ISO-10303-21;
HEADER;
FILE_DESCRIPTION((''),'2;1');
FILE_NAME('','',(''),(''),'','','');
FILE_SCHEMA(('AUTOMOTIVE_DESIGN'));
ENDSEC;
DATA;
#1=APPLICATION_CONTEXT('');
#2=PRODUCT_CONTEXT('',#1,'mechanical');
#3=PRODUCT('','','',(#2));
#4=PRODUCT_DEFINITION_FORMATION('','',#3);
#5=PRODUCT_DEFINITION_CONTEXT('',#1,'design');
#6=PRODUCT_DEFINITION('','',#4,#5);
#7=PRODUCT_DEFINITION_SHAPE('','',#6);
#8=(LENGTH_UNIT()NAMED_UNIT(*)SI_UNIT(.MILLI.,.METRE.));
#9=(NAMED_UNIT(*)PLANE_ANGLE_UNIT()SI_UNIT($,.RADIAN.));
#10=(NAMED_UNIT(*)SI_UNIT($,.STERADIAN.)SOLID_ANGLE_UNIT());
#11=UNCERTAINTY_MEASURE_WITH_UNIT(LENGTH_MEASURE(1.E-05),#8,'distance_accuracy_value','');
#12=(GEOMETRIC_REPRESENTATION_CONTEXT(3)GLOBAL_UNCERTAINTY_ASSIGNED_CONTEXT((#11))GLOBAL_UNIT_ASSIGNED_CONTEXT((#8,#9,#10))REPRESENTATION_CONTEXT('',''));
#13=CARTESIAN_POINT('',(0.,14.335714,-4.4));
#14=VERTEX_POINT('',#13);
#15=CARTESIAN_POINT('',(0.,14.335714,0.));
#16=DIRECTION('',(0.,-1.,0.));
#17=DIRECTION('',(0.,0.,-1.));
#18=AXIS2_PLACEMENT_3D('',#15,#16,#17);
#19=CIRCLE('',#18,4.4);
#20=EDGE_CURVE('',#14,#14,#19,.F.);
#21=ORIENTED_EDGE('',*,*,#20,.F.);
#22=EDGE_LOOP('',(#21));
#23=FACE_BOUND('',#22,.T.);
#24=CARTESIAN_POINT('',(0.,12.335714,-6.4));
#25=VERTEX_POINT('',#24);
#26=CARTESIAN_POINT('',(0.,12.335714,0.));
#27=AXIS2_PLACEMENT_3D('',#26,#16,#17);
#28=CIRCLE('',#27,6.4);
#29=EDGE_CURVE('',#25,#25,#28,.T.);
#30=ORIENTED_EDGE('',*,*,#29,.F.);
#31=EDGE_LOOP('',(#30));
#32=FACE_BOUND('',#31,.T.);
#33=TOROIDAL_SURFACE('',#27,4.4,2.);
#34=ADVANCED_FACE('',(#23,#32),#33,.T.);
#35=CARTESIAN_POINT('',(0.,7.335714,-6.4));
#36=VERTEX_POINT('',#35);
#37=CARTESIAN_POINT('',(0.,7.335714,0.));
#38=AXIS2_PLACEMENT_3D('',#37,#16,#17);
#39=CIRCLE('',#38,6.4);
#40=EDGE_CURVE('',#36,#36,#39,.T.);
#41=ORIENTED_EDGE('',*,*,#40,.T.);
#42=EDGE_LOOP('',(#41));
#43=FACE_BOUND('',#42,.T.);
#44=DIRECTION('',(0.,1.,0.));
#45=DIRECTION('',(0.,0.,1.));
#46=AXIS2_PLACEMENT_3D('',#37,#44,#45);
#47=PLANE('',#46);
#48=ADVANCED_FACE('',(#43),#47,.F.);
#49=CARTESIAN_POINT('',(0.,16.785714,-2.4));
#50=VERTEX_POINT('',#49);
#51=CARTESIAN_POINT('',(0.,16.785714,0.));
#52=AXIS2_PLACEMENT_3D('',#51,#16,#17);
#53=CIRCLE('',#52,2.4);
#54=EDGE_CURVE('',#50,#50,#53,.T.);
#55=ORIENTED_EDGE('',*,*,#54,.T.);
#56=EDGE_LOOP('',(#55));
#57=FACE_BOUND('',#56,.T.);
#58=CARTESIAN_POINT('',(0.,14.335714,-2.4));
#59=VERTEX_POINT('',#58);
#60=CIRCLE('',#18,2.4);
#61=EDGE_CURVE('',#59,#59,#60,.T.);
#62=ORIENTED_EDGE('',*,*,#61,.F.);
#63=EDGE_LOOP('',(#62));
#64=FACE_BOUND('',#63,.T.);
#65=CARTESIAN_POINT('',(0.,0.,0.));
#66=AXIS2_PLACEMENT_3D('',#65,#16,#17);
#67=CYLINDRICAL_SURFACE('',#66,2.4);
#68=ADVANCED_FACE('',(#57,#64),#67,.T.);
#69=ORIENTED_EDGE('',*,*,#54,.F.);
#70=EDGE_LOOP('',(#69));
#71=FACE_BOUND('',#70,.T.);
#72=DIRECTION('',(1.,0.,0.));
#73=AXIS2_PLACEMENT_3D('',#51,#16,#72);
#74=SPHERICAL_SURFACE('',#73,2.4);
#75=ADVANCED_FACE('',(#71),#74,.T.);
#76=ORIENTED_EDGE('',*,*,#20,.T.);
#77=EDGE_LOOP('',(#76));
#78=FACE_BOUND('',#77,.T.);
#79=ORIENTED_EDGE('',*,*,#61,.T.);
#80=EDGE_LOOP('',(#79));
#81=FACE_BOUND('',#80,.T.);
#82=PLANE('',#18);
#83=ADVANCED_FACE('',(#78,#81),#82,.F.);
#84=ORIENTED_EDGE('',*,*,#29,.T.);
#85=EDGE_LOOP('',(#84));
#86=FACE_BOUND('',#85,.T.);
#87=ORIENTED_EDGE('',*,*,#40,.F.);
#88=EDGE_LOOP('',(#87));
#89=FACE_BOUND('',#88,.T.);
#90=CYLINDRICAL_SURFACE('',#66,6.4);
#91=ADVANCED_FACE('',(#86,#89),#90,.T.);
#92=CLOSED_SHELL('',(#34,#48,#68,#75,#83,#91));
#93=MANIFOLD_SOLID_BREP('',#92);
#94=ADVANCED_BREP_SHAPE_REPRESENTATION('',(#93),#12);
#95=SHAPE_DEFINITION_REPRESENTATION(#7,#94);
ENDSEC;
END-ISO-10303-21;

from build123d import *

# Parameters (mm, degrees)
FILLET_1_R = 2


with BuildPart() as part:
    # 草图1 → 旋转1 (revolve)
    with BuildSketch(Plane.XY):
        with BuildLine():
            Line((0, 19.185714286), (0, 7.335714286))
            Line((0, 7.335714286), (6.4, 7.335714286))
            Line((6.4, 7.335714286), (6.4, 14.335714286))
            Line((6.4, 14.335714286), (2.4, 14.335714286))
            Line((2.4, 14.335714286), (2.4, 16.785714286))
            ThreePointArc((2.4, 16.785714286), (1.697056275, 18.482770561), (0, 19.185714286))
        make_face()
    revolve(axis=Axis((0, 0, 0), (0, 1, 0)))

    # 圆角1
    fillet_1_edges = [part.edges().sort_by_distance(p)[0] for p in [
        (-6.4, 14.335714286, 0),
    ]]
    fillet(fillet_1_edges, radius=FILLET_1_R)


solid = part.part
